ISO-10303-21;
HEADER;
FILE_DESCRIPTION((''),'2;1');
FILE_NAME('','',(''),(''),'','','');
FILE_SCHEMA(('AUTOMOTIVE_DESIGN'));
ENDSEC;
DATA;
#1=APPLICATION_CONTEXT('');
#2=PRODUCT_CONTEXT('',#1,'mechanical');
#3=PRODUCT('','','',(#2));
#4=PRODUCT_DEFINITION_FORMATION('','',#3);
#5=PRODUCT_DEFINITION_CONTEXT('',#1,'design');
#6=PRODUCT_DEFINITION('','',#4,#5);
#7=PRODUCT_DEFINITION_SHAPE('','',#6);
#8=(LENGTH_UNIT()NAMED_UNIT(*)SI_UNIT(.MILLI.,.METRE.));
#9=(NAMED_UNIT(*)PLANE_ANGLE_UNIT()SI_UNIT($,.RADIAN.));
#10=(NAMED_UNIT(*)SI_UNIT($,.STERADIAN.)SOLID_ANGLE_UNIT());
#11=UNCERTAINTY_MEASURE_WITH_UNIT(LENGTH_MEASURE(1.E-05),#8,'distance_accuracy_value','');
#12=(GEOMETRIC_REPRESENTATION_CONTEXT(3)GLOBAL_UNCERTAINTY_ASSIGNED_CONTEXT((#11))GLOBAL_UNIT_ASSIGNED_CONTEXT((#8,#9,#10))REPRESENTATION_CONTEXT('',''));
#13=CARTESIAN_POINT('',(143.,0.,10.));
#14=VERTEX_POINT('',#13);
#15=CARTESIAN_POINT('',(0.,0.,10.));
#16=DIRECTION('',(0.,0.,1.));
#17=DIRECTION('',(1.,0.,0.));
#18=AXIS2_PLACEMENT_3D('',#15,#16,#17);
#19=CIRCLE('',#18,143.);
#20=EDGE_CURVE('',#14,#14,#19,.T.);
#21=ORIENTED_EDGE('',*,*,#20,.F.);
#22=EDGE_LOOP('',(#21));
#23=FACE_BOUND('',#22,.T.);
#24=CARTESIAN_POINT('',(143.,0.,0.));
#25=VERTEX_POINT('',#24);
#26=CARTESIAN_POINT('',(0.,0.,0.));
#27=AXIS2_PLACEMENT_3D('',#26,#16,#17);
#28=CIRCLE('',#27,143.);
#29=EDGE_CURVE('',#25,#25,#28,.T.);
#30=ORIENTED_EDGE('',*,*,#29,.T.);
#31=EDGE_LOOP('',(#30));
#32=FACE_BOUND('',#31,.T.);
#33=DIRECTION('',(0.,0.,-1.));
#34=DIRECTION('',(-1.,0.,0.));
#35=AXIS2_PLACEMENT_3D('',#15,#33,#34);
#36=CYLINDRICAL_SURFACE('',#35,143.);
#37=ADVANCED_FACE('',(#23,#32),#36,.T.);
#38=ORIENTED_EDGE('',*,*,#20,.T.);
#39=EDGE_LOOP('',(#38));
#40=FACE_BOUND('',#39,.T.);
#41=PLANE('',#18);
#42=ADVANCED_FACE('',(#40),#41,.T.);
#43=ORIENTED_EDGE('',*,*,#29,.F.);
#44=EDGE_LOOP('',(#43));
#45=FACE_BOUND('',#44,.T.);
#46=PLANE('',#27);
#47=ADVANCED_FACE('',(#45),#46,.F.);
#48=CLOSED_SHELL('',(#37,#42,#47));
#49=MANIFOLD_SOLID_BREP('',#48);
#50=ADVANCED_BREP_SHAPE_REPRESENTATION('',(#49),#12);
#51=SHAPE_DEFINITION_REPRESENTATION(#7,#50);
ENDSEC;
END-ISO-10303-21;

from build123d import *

# Parameters (mm, degrees)
ESQUISSE1_R        = 143
BOSS_EXTRU_1_DEPTH = 10


with BuildPart() as part:
    # Esquisse1 → Boss.-Extru.1 (new body)
    with BuildSketch(Plane.XY):
        Circle(ESQUISSE1_R)
    extrude(amount=BOSS_EXTRU_1_DEPTH)


solid = part.part
